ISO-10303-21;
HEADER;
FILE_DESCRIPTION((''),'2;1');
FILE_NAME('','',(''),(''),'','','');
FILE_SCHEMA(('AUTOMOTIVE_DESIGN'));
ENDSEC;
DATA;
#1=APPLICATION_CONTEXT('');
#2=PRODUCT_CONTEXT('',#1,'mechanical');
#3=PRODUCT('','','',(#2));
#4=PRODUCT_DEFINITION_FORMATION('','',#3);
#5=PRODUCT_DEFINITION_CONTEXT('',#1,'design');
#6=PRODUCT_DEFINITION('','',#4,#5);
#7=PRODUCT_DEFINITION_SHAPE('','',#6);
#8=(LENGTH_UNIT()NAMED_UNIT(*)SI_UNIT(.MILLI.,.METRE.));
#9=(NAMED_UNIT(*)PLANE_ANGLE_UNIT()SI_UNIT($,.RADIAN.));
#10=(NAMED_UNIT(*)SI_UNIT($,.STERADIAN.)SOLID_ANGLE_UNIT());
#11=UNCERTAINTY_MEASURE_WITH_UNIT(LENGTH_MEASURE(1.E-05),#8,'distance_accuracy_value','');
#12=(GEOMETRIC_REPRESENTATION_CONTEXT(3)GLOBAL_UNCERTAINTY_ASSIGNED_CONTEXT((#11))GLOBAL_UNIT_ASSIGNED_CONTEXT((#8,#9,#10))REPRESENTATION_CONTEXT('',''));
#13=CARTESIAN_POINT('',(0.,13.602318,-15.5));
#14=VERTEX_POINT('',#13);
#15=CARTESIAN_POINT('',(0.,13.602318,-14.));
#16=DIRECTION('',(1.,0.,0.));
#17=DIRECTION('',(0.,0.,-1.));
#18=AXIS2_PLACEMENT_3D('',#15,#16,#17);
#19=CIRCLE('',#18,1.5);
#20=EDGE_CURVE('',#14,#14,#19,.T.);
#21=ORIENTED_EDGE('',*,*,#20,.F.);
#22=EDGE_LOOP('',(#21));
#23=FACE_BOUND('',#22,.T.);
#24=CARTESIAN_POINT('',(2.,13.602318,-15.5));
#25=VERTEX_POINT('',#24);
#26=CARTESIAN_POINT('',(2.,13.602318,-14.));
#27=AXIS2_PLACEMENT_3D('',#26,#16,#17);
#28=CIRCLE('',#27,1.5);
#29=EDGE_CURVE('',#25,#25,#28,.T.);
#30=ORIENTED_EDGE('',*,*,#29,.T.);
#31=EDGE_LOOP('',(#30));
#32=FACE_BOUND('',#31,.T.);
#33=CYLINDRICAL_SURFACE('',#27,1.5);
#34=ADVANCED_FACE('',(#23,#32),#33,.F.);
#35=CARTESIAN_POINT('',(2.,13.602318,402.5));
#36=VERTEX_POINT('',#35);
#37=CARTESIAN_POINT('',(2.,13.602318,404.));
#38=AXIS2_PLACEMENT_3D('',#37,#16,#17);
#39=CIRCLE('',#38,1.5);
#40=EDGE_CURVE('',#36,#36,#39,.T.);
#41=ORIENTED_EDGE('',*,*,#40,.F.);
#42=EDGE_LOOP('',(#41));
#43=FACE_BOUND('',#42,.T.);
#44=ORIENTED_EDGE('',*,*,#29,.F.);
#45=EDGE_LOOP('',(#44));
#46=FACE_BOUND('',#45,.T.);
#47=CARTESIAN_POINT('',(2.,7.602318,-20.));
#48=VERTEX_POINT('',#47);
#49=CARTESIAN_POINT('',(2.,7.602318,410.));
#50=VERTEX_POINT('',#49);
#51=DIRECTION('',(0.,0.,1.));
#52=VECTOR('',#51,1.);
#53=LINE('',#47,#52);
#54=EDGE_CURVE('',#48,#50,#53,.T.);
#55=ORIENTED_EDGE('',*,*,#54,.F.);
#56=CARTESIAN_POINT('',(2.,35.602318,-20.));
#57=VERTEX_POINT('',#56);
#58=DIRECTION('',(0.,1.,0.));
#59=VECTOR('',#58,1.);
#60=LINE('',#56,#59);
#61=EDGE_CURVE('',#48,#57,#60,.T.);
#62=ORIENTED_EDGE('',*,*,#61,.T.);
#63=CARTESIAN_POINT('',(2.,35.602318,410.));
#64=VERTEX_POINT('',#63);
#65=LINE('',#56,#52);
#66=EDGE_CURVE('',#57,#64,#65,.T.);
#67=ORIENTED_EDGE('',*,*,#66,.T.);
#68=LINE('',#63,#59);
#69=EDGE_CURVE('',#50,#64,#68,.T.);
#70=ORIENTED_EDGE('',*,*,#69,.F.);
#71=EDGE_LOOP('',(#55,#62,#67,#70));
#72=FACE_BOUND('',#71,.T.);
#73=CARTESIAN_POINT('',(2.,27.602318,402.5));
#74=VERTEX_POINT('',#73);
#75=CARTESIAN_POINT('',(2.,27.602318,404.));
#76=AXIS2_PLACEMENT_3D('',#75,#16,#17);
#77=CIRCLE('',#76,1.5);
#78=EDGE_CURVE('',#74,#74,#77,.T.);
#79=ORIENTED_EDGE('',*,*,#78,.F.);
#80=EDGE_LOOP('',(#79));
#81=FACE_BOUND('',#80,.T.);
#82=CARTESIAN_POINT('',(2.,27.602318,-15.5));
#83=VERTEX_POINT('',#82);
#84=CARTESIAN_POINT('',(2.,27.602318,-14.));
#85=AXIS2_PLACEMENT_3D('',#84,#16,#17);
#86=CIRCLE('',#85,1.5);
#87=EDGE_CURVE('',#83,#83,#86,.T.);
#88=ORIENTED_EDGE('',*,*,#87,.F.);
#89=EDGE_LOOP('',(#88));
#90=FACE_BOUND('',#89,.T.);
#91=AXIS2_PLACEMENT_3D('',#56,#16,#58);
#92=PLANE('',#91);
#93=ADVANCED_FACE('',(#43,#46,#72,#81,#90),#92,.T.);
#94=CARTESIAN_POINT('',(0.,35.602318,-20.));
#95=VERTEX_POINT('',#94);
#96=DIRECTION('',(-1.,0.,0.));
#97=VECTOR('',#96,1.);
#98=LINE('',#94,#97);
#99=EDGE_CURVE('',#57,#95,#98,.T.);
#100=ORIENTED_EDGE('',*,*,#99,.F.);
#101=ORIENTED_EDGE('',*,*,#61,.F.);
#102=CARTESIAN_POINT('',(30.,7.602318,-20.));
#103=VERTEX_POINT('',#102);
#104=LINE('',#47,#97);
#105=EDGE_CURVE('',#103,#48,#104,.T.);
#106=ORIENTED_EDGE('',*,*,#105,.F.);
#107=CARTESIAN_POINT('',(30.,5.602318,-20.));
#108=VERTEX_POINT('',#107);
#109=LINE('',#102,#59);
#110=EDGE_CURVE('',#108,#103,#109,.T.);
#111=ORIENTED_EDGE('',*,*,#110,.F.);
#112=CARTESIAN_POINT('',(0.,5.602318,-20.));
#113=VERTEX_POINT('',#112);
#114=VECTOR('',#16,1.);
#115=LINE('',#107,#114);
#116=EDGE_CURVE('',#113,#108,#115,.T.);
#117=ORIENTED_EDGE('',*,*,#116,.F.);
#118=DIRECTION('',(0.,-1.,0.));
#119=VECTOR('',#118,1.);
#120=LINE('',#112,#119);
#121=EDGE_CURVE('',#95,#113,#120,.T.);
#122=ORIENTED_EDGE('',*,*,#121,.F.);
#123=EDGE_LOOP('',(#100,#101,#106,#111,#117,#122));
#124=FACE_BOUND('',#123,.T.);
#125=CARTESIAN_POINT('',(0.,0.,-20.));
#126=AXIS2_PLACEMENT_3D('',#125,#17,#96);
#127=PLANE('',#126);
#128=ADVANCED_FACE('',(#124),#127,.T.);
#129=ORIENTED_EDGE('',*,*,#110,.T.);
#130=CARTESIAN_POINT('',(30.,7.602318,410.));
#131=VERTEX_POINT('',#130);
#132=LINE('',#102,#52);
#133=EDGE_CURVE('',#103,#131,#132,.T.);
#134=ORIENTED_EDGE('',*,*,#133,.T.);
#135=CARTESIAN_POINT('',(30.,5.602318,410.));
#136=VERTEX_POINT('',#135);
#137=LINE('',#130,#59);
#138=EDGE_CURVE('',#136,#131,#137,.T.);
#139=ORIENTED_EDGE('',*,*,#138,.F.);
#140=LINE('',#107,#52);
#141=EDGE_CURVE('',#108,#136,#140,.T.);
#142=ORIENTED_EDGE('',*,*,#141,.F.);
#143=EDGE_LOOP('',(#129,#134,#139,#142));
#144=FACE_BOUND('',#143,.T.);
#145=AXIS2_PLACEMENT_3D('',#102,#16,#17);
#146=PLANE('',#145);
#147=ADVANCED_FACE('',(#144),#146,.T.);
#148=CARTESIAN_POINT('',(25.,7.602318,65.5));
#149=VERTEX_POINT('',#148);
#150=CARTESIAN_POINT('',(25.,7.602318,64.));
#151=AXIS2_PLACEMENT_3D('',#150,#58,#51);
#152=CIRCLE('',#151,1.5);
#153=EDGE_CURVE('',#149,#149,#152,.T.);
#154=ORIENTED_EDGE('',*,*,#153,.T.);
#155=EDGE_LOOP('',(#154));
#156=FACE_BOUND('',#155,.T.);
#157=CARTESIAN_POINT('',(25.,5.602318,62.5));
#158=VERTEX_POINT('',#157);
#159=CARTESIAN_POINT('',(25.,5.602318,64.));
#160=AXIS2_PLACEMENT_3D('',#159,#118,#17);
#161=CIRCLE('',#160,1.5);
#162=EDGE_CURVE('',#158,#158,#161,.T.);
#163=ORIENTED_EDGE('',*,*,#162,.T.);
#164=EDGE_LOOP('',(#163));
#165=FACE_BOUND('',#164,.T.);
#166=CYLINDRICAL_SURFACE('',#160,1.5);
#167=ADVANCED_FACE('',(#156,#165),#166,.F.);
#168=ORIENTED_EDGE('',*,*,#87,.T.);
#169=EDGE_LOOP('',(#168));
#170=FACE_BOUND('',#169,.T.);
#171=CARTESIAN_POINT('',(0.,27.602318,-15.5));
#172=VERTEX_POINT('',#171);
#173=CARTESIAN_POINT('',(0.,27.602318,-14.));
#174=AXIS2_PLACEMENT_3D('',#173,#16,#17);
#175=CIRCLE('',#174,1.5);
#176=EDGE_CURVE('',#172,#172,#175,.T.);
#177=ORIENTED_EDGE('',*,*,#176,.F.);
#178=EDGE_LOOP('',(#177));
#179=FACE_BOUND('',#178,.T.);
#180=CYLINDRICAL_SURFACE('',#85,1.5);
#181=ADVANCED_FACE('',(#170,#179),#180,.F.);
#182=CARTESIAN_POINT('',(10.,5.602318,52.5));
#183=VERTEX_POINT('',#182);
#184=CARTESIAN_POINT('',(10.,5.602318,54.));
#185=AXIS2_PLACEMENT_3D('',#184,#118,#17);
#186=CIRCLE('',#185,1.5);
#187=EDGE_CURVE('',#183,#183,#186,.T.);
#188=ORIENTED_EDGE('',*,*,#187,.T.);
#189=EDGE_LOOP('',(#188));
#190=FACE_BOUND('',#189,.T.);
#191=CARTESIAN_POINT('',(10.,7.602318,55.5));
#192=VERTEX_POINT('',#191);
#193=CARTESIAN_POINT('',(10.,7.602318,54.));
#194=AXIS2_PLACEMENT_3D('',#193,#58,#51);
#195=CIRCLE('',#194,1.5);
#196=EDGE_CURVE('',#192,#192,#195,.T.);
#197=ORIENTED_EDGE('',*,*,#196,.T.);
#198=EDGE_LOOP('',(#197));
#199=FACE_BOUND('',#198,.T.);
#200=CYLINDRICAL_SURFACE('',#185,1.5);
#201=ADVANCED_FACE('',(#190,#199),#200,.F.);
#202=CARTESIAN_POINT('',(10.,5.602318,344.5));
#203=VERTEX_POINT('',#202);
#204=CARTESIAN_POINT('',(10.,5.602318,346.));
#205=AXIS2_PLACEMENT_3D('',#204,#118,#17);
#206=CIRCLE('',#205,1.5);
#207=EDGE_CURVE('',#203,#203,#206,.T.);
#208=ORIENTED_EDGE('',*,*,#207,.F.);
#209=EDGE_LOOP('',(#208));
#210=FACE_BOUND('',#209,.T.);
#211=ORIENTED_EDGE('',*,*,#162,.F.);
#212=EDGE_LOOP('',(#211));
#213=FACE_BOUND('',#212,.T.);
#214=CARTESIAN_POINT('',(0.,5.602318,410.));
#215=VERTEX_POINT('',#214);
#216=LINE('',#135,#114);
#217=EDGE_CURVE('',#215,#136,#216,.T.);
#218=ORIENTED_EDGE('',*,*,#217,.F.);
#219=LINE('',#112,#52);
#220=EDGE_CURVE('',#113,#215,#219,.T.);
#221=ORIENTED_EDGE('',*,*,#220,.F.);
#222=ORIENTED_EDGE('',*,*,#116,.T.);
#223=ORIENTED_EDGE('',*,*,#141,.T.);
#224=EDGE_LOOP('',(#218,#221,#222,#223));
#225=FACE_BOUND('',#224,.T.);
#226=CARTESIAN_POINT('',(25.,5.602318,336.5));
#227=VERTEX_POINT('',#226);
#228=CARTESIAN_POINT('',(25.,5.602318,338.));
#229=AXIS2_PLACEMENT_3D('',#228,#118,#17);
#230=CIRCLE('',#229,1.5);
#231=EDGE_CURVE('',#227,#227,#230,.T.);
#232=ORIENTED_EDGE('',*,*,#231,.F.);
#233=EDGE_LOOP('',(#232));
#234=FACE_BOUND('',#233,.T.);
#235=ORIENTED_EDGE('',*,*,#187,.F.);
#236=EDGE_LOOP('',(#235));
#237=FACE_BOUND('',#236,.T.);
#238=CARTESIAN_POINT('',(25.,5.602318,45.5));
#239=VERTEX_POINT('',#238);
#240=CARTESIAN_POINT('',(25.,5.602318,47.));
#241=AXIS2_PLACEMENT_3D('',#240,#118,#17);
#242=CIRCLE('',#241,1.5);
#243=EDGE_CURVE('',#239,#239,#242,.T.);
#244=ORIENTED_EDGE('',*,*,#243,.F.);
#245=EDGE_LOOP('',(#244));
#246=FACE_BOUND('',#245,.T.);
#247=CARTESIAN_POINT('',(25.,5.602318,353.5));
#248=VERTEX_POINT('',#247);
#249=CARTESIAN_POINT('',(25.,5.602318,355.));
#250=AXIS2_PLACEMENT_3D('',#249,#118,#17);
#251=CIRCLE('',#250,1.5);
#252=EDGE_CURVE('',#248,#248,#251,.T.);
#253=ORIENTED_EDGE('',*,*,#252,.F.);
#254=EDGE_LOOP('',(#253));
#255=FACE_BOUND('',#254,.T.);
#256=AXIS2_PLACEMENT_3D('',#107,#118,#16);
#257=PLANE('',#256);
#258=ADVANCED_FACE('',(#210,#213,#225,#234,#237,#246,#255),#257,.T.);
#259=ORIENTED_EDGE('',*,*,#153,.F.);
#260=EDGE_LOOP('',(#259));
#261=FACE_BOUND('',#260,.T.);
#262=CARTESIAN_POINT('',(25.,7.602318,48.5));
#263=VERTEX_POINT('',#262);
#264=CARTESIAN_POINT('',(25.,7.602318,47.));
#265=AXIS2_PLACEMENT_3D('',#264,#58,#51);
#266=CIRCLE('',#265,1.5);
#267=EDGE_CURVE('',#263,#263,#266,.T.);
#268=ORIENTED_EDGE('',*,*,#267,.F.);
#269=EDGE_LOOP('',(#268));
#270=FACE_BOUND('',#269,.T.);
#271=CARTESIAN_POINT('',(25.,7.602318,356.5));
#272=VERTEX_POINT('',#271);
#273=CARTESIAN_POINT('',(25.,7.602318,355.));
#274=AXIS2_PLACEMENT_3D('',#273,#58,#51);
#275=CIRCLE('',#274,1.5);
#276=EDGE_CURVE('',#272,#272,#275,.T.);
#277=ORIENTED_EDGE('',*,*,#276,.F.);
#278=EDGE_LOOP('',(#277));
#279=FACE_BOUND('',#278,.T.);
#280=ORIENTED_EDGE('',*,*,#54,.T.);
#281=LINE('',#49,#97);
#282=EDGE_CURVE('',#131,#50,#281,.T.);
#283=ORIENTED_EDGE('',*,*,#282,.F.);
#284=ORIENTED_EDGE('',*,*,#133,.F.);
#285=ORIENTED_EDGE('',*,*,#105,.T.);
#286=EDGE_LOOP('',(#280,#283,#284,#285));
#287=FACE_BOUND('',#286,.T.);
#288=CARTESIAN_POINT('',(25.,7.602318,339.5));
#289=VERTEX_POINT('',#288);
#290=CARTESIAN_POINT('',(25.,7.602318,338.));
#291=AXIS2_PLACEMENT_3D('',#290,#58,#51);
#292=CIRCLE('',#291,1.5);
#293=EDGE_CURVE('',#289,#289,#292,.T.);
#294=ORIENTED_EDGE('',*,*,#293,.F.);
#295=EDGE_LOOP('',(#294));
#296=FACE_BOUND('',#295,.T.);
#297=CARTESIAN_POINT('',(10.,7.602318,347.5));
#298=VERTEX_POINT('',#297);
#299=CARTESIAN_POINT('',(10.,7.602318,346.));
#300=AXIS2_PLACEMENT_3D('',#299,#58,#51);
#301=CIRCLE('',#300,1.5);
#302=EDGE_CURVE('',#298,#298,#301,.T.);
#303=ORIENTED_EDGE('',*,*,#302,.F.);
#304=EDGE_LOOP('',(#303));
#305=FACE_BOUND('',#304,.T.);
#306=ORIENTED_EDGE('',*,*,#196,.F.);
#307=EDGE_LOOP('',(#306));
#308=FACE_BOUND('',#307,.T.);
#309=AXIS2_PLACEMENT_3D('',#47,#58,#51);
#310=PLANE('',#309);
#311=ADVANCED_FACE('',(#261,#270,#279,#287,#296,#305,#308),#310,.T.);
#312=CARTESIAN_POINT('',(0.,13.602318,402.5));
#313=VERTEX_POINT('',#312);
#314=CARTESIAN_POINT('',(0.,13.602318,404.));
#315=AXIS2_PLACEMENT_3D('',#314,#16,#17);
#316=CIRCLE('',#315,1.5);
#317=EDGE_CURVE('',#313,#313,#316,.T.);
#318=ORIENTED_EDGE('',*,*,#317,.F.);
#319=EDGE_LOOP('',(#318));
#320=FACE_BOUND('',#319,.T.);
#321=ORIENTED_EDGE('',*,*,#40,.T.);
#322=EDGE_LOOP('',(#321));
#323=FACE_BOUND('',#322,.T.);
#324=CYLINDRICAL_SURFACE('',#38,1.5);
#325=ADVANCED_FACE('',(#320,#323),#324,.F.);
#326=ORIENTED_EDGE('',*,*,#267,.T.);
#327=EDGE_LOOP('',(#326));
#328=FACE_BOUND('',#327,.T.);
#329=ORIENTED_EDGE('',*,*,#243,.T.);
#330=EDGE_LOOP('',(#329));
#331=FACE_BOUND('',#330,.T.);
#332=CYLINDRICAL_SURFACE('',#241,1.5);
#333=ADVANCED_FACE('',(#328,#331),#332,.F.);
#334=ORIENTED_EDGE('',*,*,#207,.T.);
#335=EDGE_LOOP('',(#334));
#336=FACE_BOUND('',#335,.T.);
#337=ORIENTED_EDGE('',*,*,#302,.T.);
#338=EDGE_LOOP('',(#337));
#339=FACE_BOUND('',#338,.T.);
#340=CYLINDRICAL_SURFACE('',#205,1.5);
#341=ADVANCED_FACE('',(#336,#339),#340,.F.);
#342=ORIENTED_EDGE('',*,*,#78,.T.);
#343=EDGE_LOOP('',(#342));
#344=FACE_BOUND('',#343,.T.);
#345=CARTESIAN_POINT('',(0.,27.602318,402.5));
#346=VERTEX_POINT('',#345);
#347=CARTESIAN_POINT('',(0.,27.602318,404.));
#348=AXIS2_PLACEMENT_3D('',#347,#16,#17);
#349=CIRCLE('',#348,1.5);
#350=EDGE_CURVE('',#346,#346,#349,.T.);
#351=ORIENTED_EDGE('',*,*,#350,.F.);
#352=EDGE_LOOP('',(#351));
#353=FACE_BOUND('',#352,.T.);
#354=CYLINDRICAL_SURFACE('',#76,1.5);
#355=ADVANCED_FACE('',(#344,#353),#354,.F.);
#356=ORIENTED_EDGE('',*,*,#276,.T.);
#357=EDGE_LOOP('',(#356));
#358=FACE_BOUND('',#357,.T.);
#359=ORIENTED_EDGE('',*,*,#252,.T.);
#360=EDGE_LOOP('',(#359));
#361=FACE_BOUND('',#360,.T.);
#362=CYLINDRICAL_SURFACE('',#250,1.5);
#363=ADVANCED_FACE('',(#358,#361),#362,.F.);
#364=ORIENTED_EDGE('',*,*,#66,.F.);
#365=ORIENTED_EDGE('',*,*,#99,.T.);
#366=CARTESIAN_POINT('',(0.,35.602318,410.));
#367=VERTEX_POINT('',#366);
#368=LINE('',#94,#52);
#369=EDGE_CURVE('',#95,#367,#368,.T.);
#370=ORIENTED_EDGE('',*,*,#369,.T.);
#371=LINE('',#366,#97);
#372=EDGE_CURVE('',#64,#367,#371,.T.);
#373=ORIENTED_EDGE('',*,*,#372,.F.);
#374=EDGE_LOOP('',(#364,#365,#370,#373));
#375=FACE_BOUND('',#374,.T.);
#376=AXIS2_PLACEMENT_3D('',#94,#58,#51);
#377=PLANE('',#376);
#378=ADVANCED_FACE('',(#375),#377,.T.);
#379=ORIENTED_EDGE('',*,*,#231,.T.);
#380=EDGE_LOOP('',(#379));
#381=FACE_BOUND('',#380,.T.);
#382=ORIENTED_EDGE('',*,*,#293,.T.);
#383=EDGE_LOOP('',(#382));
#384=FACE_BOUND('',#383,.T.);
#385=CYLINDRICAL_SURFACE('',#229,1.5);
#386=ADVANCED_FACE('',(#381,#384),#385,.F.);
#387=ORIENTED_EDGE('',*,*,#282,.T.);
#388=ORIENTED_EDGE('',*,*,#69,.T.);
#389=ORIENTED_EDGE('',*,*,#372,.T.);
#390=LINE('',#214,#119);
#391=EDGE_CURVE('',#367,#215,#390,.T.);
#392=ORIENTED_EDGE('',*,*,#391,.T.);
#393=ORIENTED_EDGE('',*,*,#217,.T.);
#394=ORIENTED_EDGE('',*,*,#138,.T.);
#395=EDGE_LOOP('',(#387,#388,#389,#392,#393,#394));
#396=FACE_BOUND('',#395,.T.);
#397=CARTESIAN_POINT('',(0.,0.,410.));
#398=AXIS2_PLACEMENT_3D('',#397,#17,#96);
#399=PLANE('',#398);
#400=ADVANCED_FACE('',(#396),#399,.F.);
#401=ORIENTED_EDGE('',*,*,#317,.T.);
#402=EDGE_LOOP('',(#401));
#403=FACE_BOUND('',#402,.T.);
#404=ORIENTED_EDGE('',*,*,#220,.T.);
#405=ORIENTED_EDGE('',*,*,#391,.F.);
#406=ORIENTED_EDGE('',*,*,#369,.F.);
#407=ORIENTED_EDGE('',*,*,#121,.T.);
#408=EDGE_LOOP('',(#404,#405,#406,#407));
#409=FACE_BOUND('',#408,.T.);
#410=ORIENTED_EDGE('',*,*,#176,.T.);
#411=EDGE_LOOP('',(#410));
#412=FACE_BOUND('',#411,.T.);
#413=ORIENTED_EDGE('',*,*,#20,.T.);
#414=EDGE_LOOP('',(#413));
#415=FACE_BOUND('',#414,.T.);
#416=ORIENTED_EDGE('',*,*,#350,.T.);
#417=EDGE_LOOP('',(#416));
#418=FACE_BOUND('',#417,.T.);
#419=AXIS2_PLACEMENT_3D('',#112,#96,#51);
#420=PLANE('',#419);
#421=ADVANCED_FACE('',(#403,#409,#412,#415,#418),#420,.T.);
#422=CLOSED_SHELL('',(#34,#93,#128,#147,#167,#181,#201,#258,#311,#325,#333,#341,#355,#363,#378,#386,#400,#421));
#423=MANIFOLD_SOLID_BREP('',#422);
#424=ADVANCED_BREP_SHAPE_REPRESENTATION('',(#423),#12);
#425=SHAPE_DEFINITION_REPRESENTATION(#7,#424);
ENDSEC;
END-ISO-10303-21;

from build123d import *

# Parameters (mm, degrees)
BOSS_EXTRUDE1_DEPTH      = 410
BOSS_EXTRUDE1_DEPTH_BACK = 20
F_3_0_3_DIAMETER_HOLE1_D = 3
F_3_0_3_DIAMETER_HOLE2_D = 3
F_3_0_3_DIAMETER_HOLE3_D = 3
F_3_0_3_DIAMETER_HOLE4_D = 3


with BuildPart() as part:
    # Sketch1 → Boss-Extrude1 (new, two sides: drawn at the far end of the back side and taken through both)
    with BuildSketch(Plane.XY.offset(-BOSS_EXTRUDE1_DEPTH_BACK)):
        Polygon((0, 5.602318429), (0, 35.602318429), (2, 35.602318429), (2, 7.602318429), (30, 7.602318429), (30, 5.602318429), align=None)
    extrude(amount=BOSS_EXTRUDE1_DEPTH + BOSS_EXTRUDE1_DEPTH_BACK)

    # Ø3.0 (3) Diameter Hole1 (through all)
    with Locations(Plane(origin=(2, -3.805314364, 221.32004832), x_dir=(0, 0, -1), z_dir=(1, 0, 0))):
        with Locations((-182.67995168, 17.407632793), (-182.67995168, 31.407632793)):
            Hole(F_3_0_3_DIAMETER_HOLE1_D / 2)

    # Ø3.0 (3) Diameter Hole2 (through all)
    with Locations(Plane(origin=(2, -3.805314364, 221.32004832), x_dir=(0, 0, -1), z_dir=(1, 0, 0))):
        with Locations((235.32004832, 17.407632793), (235.32004832, 31.407632793)):
            Hole(F_3_0_3_DIAMETER_HOLE2_D / 2)

    # Ø3.0 (3) Diameter Hole3 (through all)
    with Locations(Plane(origin=(130.861996081, 5.602318429, 221.32004832), x_dir=(-1, 0, 0), z_dir=(0, -1, 0))):
        with Locations((105.861996081, -133.67995168), (120.861996081, -124.67995168), (105.861996081, -116.67995168)):
            Hole(F_3_0_3_DIAMETER_HOLE3_D / 2)

    # Ø3.0 (3) Diameter Hole4 (through all)
    with Locations(Plane(origin=(130.861996081, 5.602318429, 221.32004832), x_dir=(-1, 0, 0), z_dir=(0, -1, 0))):
        with Locations((105.861996081, 174.32004832), (105.861996081, 157.32004832), (120.861996081, 167.32004832)):
            Hole(F_3_0_3_DIAMETER_HOLE4_D / 2)


solid = part.part
